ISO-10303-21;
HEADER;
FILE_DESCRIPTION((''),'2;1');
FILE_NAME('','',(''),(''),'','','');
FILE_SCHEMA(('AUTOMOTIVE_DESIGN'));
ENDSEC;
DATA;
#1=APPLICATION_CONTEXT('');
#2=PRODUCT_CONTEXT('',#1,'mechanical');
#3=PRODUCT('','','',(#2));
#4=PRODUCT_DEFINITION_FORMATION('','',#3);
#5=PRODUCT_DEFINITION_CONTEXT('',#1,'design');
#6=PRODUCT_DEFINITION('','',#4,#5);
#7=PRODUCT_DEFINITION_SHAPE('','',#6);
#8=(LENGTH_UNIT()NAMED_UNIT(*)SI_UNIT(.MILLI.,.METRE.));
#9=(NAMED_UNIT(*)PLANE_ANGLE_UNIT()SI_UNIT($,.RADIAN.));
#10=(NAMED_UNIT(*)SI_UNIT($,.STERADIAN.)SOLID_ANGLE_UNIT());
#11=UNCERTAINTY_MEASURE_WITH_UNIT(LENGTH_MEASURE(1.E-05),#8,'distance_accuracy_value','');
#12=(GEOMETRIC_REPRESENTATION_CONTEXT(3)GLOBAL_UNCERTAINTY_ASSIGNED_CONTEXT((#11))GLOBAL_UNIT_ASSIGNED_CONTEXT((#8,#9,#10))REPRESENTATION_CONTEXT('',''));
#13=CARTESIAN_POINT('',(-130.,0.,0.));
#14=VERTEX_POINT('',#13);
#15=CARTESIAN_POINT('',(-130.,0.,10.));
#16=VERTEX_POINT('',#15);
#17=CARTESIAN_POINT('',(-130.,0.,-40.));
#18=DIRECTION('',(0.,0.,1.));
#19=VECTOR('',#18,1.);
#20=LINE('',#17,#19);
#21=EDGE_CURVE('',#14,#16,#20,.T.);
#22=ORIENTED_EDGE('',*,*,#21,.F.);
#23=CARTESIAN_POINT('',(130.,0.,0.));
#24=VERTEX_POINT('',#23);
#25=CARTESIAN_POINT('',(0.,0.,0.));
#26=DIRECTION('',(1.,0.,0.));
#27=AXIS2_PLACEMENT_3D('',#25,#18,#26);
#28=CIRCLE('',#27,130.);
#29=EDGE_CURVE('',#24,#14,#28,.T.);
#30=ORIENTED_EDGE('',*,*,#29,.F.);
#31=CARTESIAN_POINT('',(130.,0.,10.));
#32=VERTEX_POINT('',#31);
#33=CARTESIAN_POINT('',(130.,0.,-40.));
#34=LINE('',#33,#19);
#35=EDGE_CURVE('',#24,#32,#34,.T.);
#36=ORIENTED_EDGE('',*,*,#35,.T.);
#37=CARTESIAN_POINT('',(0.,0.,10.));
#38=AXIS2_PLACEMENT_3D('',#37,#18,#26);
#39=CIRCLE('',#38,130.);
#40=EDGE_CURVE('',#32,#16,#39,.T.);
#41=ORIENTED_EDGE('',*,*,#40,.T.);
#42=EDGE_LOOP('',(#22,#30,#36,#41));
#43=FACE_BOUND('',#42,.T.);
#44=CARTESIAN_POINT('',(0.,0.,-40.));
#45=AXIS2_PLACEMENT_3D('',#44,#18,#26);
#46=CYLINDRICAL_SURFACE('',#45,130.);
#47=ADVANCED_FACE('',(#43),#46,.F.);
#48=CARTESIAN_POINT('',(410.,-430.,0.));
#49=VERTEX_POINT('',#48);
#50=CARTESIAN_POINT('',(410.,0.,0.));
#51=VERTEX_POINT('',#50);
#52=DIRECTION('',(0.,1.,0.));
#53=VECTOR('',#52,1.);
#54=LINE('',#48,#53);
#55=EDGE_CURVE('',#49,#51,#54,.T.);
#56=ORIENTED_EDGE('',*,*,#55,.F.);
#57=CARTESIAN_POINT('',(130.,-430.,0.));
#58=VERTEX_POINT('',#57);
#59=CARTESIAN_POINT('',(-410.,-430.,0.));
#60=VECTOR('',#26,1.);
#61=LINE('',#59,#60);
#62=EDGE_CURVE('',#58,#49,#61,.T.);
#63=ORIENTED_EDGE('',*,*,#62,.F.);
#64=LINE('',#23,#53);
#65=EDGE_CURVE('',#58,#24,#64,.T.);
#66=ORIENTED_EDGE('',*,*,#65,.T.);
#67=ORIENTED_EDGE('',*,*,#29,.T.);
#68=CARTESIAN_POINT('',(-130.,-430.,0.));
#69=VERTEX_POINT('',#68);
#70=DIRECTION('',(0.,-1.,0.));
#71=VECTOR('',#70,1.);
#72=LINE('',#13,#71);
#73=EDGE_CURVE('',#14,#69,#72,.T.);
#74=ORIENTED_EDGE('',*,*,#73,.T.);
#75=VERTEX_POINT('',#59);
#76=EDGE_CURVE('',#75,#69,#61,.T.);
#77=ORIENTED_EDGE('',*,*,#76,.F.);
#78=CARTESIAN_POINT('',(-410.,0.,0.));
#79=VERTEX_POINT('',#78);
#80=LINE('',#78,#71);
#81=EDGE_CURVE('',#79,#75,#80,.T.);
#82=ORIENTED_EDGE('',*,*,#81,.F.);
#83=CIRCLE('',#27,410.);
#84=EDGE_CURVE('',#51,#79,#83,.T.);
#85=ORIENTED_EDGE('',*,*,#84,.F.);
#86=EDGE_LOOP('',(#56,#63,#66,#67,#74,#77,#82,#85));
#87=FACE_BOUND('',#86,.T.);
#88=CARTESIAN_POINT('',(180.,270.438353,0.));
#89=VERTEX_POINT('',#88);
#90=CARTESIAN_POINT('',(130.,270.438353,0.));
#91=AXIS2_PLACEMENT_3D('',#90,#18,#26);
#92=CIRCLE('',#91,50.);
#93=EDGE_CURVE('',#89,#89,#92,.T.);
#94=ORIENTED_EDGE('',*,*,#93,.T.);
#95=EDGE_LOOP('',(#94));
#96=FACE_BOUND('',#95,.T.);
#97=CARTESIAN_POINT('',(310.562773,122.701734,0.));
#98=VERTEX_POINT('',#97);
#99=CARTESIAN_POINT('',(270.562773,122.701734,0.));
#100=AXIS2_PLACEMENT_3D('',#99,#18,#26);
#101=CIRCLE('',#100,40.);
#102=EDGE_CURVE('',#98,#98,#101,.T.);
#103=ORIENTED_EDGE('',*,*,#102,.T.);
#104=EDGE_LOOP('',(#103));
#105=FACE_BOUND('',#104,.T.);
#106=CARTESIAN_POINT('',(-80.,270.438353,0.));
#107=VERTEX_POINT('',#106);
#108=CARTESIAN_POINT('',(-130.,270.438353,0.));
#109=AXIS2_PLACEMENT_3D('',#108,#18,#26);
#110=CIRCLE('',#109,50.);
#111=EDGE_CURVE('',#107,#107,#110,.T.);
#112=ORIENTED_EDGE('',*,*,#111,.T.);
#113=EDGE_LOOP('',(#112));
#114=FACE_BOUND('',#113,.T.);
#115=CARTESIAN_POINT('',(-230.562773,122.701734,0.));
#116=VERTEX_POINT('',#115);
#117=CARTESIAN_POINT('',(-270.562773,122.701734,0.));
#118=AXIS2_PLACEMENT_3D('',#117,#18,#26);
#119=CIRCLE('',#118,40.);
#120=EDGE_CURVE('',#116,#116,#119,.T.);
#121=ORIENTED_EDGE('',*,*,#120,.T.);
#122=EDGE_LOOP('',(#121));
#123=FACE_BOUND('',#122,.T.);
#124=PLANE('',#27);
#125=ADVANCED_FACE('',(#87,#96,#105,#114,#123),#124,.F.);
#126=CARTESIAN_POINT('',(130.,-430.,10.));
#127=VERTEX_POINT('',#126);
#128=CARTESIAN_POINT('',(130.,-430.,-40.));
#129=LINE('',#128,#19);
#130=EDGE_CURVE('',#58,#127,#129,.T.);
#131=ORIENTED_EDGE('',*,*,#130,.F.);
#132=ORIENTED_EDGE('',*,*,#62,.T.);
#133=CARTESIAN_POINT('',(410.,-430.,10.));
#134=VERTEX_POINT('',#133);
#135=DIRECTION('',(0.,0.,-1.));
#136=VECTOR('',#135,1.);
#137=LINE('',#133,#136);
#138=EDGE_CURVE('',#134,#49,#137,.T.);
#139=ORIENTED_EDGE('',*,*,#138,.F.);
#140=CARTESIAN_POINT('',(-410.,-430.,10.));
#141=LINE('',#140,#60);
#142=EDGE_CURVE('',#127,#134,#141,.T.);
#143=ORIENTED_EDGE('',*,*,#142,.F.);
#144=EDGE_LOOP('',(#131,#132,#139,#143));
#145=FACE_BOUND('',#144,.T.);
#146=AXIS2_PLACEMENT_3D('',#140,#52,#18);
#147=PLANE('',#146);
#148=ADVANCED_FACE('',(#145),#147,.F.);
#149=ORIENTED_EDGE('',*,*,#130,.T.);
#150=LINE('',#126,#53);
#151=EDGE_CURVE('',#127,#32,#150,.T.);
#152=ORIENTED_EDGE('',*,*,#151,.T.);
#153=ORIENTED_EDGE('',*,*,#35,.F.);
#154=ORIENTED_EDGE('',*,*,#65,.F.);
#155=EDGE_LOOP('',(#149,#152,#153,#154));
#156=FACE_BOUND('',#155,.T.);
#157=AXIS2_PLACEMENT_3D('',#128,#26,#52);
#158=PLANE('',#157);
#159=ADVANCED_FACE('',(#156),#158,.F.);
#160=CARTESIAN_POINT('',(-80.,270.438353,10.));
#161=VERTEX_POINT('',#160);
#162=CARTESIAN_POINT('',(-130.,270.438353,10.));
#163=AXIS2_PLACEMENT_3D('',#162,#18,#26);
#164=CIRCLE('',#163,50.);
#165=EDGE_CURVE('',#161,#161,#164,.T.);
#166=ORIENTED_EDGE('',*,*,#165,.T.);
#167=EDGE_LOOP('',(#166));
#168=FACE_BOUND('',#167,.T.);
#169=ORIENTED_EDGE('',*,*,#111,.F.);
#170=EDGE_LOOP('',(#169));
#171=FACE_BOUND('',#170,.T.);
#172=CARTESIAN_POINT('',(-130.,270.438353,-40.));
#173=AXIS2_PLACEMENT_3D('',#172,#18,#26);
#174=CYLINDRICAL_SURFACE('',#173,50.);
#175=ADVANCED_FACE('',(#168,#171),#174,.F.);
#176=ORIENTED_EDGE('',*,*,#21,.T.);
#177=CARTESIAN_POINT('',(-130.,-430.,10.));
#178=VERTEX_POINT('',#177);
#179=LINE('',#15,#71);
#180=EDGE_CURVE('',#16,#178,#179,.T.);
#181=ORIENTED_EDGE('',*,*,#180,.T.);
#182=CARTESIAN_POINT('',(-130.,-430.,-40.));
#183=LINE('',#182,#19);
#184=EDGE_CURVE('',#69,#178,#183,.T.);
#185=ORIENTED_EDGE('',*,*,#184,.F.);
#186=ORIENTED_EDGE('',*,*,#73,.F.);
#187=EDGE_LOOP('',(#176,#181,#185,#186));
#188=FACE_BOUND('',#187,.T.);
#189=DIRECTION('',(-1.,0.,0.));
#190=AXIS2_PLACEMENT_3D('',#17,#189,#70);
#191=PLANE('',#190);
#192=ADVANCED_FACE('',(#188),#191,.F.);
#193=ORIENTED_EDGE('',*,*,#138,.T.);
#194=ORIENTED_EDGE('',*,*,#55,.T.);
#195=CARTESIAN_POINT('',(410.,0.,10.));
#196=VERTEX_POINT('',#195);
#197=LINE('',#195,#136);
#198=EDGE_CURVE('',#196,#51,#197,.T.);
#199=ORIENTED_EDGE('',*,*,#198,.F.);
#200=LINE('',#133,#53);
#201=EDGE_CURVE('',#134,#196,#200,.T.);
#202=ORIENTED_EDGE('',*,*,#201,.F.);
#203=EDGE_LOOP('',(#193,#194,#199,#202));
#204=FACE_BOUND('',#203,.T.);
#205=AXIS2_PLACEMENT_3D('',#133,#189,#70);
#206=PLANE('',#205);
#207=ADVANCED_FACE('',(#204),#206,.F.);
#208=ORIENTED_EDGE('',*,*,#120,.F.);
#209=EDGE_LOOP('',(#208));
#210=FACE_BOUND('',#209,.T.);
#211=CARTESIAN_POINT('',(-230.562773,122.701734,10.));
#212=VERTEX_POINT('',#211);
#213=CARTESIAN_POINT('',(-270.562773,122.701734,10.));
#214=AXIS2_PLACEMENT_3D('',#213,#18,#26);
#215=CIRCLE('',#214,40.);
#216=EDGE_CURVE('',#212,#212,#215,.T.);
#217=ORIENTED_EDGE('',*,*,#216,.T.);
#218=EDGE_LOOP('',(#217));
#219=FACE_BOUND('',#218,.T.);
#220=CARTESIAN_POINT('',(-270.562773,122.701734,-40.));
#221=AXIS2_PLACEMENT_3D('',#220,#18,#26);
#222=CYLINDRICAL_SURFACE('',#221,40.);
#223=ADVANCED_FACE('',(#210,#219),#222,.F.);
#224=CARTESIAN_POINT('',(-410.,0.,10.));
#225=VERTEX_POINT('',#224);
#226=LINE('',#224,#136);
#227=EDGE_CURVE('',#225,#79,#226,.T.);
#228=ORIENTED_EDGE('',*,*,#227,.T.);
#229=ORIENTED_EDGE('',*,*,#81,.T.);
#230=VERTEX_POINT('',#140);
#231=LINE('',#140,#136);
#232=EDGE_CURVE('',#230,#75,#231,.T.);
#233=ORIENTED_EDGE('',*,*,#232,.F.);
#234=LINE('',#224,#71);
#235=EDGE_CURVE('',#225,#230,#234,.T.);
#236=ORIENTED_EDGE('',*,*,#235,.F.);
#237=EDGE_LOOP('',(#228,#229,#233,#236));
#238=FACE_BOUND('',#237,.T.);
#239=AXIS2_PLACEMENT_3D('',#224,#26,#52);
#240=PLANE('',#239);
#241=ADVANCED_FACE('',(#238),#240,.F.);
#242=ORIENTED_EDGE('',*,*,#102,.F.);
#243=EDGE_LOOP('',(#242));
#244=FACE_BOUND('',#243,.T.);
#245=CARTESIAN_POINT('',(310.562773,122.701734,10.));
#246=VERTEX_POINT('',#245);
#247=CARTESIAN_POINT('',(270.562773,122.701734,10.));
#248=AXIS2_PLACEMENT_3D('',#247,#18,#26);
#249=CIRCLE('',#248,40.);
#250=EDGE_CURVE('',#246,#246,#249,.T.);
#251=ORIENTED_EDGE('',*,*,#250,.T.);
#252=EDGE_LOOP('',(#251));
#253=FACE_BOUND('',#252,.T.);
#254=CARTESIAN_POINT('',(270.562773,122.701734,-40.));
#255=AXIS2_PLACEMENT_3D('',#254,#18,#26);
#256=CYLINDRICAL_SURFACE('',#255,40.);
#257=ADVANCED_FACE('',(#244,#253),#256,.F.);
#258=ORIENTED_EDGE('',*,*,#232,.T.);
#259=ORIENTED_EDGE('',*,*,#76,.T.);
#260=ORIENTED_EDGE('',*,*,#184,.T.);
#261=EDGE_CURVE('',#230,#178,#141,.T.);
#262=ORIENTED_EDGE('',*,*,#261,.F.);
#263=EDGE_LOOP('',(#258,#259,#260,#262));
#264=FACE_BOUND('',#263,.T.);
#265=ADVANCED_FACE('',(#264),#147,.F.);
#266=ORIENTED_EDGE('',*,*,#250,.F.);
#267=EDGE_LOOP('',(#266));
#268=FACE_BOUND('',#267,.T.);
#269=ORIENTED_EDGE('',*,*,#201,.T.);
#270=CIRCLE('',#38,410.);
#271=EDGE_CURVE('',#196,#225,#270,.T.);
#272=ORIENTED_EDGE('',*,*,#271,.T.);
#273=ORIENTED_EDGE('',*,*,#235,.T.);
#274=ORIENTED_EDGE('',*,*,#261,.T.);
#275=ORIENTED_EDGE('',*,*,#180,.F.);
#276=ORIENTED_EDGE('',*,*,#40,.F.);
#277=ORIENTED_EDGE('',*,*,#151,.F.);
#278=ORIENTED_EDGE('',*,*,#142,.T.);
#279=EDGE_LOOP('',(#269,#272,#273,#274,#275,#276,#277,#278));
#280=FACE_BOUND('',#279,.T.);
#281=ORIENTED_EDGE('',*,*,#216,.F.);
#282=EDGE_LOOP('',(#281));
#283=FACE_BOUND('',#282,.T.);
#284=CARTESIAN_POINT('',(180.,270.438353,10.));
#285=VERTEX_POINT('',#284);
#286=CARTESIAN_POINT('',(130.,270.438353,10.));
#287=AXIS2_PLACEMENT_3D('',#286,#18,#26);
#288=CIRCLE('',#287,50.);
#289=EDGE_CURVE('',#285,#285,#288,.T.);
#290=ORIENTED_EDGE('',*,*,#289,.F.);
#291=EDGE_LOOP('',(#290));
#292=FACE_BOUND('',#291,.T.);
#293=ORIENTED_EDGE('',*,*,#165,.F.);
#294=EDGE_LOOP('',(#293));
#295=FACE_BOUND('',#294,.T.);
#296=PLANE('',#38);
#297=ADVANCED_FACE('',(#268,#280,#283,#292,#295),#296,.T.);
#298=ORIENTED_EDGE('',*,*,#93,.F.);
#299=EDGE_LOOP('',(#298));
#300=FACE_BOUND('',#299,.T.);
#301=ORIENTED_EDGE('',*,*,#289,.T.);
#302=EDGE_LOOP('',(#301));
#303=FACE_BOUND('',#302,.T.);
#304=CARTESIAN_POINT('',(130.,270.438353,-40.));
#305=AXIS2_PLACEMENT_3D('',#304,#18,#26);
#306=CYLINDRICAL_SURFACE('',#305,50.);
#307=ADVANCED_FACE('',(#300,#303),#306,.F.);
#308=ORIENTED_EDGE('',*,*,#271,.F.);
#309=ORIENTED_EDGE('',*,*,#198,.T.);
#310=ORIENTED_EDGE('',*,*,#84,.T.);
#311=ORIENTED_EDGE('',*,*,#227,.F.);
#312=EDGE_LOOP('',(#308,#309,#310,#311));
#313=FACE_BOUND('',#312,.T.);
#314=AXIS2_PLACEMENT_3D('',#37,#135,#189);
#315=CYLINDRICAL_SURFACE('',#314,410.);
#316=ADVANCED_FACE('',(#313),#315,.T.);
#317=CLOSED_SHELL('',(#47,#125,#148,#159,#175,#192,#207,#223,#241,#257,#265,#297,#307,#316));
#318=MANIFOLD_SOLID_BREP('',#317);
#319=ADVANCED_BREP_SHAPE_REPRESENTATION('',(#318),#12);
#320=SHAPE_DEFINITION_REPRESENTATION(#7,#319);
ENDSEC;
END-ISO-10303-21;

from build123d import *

# Parameters (mm, degrees)
EXTRUDE_1_DEPTH     = 10
SKETCH_3_R          = 50
SKETCH_3_R_2        = 40
CUT_EXTRUDE_3_DEPTH = 50


with BuildPart() as part:
    # 草图1 → 凸台-拉伸1 (new body)
    with BuildSketch(Plane.XY):
        with BuildLine():
            Line((-410, 0), (-410, -430))
            Line((-410, -430), (410, -430))
            Line((410, -430), (410, 0))
            ThreePointArc((410, 0), (0, 410), (-410, 0))
        make_face()
    extrude(amount=EXTRUDE_1_DEPTH)

    # 草图3 → 切除-拉伸3 (cut)
    with BuildSketch(Plane.XY.offset(10)):
        with Locations((-130, 270.438352594)):
            Circle(SKETCH_3_R)
        with Locations((130, 270.438352594)):
            Circle(SKETCH_3_R)
        with Locations((-270.562773315, 122.70173436)):
            Circle(SKETCH_3_R_2)
        with Locations((270.562773315, 122.70173436)):
            Circle(SKETCH_3_R_2)
        with BuildLine():
            Line((-130, 0), (-130, -430))
            Line((-130, -430), (130, -430))
            Line((130, -430), (130, 0))
            ThreePointArc((130, 0), (0, 130), (-130, 0))
        make_face()
    extrude(amount=-CUT_EXTRUDE_3_DEPTH, mode=Mode.SUBTRACT)


solid = part.part
